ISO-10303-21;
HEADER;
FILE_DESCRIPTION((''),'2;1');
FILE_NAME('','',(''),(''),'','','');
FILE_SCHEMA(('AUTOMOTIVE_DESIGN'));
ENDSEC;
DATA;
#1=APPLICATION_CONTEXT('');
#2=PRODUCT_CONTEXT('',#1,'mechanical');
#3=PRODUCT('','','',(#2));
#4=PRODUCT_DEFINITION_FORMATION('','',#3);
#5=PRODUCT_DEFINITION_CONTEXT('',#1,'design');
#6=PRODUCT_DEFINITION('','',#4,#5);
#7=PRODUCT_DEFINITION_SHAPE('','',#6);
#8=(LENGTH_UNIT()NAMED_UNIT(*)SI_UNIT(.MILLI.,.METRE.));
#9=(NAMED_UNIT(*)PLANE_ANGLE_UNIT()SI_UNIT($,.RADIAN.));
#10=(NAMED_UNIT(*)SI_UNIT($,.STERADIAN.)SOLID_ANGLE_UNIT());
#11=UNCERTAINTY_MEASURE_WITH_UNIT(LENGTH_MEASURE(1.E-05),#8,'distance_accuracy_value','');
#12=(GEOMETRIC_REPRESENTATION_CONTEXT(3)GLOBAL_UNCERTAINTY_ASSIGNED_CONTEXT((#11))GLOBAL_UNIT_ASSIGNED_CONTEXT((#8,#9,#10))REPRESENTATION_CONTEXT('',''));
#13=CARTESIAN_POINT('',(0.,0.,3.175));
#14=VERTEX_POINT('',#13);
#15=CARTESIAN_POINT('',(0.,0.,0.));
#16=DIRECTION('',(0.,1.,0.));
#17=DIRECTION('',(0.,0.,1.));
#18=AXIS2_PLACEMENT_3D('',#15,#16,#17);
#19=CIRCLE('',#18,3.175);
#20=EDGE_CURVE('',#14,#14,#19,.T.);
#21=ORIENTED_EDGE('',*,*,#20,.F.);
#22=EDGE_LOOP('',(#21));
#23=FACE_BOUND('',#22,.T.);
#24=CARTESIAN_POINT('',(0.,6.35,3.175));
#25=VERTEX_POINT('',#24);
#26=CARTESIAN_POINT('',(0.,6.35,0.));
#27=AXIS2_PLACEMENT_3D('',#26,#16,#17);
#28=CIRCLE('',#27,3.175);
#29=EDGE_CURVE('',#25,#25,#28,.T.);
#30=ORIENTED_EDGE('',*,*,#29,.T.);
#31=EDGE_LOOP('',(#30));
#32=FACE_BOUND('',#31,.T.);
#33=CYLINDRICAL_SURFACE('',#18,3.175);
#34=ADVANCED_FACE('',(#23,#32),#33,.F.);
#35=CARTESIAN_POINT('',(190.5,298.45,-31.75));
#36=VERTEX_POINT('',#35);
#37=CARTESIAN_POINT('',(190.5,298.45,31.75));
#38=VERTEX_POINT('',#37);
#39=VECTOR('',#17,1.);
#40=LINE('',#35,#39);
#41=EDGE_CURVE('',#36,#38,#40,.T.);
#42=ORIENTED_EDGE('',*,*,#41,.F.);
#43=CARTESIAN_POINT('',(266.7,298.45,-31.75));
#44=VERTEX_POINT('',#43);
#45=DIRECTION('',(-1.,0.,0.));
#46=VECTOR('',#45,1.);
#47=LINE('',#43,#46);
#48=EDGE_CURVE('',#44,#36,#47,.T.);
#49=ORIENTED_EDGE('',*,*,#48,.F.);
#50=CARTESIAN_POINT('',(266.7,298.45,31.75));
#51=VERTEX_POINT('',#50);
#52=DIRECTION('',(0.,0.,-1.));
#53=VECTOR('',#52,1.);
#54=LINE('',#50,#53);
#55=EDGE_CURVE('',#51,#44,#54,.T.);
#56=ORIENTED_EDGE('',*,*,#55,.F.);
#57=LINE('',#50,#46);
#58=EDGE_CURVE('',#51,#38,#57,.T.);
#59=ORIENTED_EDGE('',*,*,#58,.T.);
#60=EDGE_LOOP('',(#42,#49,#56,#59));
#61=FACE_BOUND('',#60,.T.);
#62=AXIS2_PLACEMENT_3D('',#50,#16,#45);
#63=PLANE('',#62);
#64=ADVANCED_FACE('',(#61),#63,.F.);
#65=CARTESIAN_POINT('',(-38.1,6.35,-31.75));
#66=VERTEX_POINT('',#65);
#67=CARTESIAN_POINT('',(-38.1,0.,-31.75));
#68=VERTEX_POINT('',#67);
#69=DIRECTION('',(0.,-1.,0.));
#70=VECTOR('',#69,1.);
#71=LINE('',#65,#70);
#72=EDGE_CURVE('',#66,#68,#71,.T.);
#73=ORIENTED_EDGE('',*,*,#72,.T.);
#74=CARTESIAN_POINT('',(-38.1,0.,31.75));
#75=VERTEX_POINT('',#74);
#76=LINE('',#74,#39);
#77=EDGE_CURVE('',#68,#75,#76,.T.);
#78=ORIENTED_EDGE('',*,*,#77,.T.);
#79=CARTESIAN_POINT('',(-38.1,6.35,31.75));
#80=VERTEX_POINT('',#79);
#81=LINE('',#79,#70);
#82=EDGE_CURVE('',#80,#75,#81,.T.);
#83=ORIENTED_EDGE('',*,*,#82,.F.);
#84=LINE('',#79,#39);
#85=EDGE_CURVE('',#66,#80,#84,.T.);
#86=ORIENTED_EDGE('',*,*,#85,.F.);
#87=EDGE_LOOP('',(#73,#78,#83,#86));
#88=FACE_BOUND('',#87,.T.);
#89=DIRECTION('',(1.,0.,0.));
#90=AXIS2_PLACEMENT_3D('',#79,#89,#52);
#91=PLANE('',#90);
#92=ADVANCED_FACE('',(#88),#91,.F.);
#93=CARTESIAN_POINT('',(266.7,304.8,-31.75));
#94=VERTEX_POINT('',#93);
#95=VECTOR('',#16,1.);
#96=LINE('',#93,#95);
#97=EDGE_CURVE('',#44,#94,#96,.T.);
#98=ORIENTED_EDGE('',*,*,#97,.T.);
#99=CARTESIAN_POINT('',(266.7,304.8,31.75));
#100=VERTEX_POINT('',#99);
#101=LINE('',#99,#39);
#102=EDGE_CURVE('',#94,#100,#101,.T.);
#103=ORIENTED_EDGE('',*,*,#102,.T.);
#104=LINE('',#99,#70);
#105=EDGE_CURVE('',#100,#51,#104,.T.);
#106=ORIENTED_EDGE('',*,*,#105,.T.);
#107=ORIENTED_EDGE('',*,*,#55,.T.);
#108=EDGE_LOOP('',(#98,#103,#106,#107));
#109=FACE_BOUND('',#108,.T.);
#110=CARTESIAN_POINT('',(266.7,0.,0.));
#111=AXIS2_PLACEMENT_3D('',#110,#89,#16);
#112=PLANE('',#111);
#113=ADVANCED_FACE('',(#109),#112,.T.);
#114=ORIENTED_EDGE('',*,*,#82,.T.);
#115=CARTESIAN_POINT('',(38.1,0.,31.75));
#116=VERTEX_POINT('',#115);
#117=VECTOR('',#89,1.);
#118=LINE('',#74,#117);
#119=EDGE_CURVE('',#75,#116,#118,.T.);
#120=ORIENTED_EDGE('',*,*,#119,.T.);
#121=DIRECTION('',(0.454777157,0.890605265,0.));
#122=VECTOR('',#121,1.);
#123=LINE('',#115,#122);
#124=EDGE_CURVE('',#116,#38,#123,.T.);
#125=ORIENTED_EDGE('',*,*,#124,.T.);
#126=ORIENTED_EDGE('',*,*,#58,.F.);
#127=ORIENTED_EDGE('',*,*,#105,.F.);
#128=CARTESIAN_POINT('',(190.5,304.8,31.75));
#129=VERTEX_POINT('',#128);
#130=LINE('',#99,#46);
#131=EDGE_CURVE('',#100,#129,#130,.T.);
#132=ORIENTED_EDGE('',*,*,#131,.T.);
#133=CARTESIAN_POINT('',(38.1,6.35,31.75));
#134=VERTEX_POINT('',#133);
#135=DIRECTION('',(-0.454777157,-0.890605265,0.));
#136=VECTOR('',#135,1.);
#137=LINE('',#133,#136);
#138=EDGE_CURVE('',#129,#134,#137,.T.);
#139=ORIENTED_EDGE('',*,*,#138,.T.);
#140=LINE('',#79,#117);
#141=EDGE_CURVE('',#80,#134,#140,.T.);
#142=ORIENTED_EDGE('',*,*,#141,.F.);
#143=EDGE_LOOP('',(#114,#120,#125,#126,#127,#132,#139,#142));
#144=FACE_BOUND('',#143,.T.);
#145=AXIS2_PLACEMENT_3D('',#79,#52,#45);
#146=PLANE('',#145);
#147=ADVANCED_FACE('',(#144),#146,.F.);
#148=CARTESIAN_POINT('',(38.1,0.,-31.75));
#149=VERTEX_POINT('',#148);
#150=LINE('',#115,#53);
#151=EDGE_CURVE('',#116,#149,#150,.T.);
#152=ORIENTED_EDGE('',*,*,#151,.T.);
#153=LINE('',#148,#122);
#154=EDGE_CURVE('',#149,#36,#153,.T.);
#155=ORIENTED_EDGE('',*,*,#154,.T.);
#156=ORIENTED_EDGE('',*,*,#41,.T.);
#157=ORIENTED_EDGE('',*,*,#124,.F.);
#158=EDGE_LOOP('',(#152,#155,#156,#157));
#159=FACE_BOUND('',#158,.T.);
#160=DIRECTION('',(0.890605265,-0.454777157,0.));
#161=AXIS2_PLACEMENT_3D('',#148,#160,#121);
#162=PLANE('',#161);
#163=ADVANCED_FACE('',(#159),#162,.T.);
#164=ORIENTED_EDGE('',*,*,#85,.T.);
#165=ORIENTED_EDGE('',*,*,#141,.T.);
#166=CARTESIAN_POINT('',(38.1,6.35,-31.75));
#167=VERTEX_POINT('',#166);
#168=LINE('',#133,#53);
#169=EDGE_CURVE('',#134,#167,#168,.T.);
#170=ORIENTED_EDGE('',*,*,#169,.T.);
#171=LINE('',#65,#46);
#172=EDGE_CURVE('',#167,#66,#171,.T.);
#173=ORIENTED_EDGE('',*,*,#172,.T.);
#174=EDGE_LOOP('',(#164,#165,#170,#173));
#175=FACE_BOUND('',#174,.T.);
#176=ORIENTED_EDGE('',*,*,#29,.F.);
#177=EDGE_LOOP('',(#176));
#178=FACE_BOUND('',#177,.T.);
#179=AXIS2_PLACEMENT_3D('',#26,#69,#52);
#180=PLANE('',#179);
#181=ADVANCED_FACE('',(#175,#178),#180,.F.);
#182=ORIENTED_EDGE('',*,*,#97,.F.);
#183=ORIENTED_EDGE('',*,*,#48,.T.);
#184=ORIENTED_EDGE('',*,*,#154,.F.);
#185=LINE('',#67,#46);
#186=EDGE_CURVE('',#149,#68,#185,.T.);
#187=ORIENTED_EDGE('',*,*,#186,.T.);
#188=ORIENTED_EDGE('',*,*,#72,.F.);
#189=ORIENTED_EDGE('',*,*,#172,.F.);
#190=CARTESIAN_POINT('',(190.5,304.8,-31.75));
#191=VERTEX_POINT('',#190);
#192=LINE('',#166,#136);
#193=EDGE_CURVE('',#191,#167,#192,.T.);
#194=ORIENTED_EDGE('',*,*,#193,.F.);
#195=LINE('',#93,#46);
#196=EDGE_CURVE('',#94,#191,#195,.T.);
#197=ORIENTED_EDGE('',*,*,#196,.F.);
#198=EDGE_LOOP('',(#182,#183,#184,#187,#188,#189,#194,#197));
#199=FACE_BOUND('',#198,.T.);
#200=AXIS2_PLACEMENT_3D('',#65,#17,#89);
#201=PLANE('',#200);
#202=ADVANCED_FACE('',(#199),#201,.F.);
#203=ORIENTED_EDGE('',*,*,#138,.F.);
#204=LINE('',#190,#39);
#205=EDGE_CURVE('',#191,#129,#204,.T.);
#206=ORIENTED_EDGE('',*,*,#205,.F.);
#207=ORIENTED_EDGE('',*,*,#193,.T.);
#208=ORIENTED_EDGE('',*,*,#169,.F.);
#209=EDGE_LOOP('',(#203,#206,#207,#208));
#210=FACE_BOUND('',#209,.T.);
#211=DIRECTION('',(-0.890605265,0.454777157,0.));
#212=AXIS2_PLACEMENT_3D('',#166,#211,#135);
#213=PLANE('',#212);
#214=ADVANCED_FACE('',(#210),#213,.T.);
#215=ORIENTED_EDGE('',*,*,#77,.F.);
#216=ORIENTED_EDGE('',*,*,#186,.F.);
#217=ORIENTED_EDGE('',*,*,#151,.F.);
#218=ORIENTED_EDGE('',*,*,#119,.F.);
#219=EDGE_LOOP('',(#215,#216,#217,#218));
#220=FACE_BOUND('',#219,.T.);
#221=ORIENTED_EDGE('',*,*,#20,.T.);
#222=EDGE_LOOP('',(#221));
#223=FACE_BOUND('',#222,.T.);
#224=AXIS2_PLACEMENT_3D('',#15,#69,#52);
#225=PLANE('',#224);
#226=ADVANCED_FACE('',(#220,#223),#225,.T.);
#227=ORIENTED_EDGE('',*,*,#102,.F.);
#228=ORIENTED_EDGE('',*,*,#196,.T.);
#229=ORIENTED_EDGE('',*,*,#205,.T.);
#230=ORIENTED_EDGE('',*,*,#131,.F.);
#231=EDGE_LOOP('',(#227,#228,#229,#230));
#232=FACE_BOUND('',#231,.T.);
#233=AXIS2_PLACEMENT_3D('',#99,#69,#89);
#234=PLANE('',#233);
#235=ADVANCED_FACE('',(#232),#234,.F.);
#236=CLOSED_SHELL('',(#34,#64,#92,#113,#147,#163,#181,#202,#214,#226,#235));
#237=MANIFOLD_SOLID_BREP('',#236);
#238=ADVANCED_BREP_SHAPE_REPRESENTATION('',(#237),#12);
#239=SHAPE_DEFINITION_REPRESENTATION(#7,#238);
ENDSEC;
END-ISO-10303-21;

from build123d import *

# Parameters (mm, degrees)
SKETCH1_W           = 76.2
SKETCH1_H           = 63.5
BOSS_EXTRUDE1_DEPTH = 6.35
SKETCH2_R           = 3.175
CUT_EXTRUDE1_DEPTH  = 50.99995
BOSS_EXTRUDE2_DEPTH = 63.5
SKETCH4_W           = 63.5
SKETCH4_H           = 6.35
BOSS_EXTRUDE3_DEPTH = 76.2


with BuildPart() as part:
    # Sketch1 → Boss-Extrude1 (new body)
    with BuildSketch(Plane(origin=(0, 0, 0), x_dir=(1, 0, 0), z_dir=(0, 1, 0))):
        Rectangle(SKETCH1_W, SKETCH1_H)
    extrude(amount=BOSS_EXTRUDE1_DEPTH)

    # Sketch2 → Cut-Extrude1 (cut, through all)
    with BuildSketch(Plane(origin=(0, 6.35, 0), x_dir=(1, 0, 0), z_dir=(0, 1, 0))):
        with Locations(Location((0, 0, 0), (0, 0, 270))):
            Circle(SKETCH2_R)
    extrude(amount=-CUT_EXTRUDE1_DEPTH, mode=Mode.SUBTRACT)

    # Sketch3 → Boss-Extrude2 (add)
    with BuildSketch(Plane.XY.offset(31.75)):
        Polygon((38.1, 6.35), (190.5, 304.8), (190.5, 298.45), (38.1, 0), align=None)
    extrude(amount=-BOSS_EXTRUDE2_DEPTH)

    # Sketch4 → Boss-Extrude3 (add)
    with BuildSketch(Plane(origin=(190.5, 0, 0), x_dir=(0, 0, -1), z_dir=(1, 0, 0))):
        with Locations((0, 301.625)):
            Rectangle(SKETCH4_W, SKETCH4_H)
    extrude(amount=BOSS_EXTRUDE3_DEPTH)


solid = part.part
